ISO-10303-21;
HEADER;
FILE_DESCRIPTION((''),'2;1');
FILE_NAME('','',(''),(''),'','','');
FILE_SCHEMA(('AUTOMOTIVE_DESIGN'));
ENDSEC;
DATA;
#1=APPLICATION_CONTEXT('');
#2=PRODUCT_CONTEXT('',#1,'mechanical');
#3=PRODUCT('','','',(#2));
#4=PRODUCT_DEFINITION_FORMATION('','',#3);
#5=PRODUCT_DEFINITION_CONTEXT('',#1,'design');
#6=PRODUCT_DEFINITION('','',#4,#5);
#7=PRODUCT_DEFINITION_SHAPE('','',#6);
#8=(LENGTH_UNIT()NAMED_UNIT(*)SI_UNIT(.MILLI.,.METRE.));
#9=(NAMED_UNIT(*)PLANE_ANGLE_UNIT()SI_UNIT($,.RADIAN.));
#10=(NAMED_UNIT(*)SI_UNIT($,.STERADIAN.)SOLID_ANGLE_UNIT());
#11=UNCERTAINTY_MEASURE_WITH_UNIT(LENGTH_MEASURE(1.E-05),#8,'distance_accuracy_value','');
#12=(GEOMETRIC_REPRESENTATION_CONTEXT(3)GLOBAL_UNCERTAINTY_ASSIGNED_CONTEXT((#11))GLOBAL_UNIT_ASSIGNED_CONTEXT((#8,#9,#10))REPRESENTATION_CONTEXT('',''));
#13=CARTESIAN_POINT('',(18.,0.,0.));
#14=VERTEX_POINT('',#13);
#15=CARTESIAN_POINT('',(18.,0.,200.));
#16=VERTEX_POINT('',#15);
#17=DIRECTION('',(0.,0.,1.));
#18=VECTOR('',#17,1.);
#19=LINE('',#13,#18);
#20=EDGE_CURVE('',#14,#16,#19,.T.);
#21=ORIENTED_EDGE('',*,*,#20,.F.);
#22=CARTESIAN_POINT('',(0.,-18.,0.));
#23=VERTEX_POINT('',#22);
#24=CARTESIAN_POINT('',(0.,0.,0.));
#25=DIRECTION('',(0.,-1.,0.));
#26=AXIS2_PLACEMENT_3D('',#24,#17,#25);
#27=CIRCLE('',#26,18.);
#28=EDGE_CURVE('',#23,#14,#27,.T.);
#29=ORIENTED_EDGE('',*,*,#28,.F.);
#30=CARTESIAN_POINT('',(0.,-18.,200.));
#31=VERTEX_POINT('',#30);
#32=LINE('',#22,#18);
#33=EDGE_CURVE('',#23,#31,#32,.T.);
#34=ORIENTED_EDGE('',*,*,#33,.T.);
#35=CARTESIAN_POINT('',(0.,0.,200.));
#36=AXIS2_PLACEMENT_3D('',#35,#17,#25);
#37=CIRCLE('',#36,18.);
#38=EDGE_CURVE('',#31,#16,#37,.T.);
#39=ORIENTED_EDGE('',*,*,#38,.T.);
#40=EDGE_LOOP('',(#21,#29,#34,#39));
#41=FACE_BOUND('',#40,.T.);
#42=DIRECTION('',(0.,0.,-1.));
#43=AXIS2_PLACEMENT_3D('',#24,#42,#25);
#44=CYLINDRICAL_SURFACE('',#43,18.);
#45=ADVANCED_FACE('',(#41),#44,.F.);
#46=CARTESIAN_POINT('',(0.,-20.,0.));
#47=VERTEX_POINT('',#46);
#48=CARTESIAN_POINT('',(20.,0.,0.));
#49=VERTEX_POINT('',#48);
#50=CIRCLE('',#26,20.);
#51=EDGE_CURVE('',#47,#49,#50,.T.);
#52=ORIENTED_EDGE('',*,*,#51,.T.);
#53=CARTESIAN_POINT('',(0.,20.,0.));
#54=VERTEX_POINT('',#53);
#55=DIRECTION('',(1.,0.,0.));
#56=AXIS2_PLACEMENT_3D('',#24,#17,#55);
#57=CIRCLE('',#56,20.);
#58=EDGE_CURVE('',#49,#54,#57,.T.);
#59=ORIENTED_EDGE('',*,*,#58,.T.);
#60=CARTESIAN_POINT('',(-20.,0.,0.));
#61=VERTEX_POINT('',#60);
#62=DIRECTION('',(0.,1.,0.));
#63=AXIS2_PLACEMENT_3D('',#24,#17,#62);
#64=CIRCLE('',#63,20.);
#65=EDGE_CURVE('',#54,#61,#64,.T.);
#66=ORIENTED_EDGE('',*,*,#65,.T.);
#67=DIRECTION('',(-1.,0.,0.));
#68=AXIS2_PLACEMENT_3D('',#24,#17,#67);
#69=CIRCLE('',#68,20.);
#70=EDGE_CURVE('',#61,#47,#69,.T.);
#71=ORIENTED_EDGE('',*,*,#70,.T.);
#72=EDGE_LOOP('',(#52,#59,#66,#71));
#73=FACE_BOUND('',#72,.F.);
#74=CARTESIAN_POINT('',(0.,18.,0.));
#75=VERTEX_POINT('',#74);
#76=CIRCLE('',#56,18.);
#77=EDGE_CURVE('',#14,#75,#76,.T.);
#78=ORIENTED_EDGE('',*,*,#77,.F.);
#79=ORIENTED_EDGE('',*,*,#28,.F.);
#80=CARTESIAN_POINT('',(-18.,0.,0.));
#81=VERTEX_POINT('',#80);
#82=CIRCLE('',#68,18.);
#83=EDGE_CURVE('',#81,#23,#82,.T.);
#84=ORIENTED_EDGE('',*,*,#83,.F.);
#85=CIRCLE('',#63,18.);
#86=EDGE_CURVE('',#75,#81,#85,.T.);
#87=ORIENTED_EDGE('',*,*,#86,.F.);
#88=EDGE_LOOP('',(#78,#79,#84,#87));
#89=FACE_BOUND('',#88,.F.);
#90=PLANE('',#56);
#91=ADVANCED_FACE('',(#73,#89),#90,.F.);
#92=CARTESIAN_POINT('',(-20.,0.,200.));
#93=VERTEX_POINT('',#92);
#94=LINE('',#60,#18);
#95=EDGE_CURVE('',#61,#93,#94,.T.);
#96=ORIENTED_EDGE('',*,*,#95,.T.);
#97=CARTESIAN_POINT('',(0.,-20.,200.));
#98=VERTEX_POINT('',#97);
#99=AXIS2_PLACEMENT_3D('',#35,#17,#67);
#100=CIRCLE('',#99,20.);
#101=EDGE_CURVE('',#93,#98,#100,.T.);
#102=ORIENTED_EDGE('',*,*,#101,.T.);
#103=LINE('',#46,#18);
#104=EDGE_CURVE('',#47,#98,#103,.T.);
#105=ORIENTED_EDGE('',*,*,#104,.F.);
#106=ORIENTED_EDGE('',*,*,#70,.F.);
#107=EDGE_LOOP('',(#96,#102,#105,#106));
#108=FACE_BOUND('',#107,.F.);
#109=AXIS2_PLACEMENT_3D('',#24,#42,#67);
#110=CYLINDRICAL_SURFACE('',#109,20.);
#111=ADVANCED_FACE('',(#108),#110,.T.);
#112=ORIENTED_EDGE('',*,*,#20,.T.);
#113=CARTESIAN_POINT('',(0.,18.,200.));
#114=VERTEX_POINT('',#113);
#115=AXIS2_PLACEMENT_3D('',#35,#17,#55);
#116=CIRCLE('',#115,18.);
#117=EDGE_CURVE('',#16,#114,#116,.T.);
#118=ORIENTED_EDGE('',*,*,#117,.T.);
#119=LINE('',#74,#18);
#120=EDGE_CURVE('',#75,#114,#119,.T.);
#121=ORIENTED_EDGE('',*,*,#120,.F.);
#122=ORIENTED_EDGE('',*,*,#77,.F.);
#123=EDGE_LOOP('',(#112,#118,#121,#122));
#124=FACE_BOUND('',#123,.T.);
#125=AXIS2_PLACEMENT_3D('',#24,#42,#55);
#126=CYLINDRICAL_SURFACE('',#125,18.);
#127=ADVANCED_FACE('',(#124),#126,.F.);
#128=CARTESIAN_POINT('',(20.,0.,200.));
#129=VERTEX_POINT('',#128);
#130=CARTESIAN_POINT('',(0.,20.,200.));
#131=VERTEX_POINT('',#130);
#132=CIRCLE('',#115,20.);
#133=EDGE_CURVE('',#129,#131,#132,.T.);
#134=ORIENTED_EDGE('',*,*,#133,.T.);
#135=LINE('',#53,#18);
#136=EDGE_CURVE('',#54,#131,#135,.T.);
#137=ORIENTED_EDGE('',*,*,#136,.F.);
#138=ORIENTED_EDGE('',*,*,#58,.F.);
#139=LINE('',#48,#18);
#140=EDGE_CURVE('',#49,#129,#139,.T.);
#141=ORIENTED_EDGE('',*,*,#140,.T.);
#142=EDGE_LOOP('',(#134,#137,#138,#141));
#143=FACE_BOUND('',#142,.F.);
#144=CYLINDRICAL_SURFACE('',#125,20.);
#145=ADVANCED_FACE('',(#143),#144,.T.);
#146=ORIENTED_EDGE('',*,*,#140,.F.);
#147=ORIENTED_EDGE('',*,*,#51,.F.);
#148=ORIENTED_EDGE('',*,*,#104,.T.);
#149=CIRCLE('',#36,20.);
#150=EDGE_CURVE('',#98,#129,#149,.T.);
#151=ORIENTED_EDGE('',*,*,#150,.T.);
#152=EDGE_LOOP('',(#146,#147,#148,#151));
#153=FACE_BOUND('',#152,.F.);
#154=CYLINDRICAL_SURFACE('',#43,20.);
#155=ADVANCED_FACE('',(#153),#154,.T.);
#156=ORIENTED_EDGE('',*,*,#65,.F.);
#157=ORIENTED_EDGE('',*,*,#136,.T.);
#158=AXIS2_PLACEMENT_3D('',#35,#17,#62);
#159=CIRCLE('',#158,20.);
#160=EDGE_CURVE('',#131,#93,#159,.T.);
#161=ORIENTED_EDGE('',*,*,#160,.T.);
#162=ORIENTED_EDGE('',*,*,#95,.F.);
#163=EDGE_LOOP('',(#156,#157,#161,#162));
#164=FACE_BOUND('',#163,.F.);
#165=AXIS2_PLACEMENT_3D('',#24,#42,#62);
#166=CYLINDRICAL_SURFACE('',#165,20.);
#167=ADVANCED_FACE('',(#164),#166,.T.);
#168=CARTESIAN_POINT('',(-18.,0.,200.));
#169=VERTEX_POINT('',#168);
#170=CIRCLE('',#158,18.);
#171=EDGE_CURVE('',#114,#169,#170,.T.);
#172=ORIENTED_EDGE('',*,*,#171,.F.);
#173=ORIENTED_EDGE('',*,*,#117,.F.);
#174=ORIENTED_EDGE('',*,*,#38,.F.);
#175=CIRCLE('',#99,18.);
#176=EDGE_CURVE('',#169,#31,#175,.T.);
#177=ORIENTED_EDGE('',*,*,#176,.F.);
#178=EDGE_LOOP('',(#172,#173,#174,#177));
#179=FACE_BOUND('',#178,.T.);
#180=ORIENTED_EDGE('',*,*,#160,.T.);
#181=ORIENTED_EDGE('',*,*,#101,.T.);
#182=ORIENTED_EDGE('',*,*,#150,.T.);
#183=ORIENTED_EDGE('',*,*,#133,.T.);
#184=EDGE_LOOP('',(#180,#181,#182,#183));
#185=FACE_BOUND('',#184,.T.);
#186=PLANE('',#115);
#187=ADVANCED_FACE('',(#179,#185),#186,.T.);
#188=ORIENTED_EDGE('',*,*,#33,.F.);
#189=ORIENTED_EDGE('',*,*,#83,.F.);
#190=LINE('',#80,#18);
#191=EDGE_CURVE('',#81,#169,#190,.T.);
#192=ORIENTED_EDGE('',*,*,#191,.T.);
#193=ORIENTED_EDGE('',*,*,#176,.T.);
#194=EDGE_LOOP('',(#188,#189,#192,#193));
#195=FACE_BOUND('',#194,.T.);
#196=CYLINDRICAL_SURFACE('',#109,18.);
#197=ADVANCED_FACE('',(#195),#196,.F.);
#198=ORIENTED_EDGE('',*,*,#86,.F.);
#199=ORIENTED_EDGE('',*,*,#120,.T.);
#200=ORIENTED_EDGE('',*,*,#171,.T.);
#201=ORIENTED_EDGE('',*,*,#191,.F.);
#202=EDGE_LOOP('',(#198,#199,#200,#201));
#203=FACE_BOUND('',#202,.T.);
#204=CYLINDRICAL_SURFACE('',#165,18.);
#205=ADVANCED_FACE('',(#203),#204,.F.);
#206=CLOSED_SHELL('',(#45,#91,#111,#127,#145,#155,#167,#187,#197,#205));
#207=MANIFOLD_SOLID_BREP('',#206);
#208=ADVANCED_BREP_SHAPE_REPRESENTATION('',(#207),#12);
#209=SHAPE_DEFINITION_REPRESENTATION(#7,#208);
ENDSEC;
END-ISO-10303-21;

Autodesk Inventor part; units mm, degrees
ref_plane "YZ Plane" through (0, 0, 0) normal (1, 0, 0) x (0, 1, 0)
ref_plane "XZ Plane" through (0, 0, 0) normal (0, 1, 0) x (-1, 0, 0)
ref_plane "XY Plane" through (0, 0, 0) normal (0, 0, 1) x (1, 0, 0)
sketch "스케치1" plane through (0, 0, 0) normal (0, 0, 1) x (1, 0, 0)
  line L0 (0, 20) -> (0, 20)
  line L1 (20, 0) -> (20, 0)
  line L2 (0, -20) -> (0, -20)
  line L3 (-20, 0) -> (-20, 0)
  line L4 (0, 18) -> (0, 18)
  line L5 (-18, 0) -> (-18, 0)
  line L6 (0, -18) -> (0, -18)
  line L7 (18, 0) -> (18, 0)
  arc A0 (0, 18) -> (-18, 0) centre (0, 0) ccw
  arc A1 (-18, 0) -> (0, -18) centre (0, 0) ccw
  arc A2 (0, -18) -> (18, 0) centre (0, 0) ccw
  arc A3 (18, 0) -> (0, 18) centre (0, 0) ccw
  arc A4 (0, 20) -> (-20, 0) centre (0, 0) ccw
  arc A5 (-20, 0) -> (0, -20) centre (0, 0) ccw
  arc A6 (0, -20) -> (20, 0) centre (0, 0) ccw
  arc A7 (20, 0) -> (0, 20) centre (0, 0) ccw
  point P0 (0, 0)
  point P1 (-20, 20)
  point P2 (20, -20)
  point P3 (20, 20)
  point P4 (-20, -20)
  point P5 (18, 18)
  point P6 (-18, 18)
  point P7 (-18, -18)
  point P8 (18, -18)
  dimension "d0" = 40
  dimension "d1" = 40
  dimension "d2" = 20
  dimension "d3" = 20
  dimension "d4" = 2
  dimension "d7" = 18
  dimension "d8" = 18
  dimension "d9" = 18
  dimension "d10" = 18
  dimension "d11" = 20
extrude "돌출1" add sketch "스케치1" along normal blind 200
equation "\"d2\" = 0.5 * d1"
equation "\"d3\" = 0.5 * d0"
properties part number "링크2_240mm" material "CFRP"
